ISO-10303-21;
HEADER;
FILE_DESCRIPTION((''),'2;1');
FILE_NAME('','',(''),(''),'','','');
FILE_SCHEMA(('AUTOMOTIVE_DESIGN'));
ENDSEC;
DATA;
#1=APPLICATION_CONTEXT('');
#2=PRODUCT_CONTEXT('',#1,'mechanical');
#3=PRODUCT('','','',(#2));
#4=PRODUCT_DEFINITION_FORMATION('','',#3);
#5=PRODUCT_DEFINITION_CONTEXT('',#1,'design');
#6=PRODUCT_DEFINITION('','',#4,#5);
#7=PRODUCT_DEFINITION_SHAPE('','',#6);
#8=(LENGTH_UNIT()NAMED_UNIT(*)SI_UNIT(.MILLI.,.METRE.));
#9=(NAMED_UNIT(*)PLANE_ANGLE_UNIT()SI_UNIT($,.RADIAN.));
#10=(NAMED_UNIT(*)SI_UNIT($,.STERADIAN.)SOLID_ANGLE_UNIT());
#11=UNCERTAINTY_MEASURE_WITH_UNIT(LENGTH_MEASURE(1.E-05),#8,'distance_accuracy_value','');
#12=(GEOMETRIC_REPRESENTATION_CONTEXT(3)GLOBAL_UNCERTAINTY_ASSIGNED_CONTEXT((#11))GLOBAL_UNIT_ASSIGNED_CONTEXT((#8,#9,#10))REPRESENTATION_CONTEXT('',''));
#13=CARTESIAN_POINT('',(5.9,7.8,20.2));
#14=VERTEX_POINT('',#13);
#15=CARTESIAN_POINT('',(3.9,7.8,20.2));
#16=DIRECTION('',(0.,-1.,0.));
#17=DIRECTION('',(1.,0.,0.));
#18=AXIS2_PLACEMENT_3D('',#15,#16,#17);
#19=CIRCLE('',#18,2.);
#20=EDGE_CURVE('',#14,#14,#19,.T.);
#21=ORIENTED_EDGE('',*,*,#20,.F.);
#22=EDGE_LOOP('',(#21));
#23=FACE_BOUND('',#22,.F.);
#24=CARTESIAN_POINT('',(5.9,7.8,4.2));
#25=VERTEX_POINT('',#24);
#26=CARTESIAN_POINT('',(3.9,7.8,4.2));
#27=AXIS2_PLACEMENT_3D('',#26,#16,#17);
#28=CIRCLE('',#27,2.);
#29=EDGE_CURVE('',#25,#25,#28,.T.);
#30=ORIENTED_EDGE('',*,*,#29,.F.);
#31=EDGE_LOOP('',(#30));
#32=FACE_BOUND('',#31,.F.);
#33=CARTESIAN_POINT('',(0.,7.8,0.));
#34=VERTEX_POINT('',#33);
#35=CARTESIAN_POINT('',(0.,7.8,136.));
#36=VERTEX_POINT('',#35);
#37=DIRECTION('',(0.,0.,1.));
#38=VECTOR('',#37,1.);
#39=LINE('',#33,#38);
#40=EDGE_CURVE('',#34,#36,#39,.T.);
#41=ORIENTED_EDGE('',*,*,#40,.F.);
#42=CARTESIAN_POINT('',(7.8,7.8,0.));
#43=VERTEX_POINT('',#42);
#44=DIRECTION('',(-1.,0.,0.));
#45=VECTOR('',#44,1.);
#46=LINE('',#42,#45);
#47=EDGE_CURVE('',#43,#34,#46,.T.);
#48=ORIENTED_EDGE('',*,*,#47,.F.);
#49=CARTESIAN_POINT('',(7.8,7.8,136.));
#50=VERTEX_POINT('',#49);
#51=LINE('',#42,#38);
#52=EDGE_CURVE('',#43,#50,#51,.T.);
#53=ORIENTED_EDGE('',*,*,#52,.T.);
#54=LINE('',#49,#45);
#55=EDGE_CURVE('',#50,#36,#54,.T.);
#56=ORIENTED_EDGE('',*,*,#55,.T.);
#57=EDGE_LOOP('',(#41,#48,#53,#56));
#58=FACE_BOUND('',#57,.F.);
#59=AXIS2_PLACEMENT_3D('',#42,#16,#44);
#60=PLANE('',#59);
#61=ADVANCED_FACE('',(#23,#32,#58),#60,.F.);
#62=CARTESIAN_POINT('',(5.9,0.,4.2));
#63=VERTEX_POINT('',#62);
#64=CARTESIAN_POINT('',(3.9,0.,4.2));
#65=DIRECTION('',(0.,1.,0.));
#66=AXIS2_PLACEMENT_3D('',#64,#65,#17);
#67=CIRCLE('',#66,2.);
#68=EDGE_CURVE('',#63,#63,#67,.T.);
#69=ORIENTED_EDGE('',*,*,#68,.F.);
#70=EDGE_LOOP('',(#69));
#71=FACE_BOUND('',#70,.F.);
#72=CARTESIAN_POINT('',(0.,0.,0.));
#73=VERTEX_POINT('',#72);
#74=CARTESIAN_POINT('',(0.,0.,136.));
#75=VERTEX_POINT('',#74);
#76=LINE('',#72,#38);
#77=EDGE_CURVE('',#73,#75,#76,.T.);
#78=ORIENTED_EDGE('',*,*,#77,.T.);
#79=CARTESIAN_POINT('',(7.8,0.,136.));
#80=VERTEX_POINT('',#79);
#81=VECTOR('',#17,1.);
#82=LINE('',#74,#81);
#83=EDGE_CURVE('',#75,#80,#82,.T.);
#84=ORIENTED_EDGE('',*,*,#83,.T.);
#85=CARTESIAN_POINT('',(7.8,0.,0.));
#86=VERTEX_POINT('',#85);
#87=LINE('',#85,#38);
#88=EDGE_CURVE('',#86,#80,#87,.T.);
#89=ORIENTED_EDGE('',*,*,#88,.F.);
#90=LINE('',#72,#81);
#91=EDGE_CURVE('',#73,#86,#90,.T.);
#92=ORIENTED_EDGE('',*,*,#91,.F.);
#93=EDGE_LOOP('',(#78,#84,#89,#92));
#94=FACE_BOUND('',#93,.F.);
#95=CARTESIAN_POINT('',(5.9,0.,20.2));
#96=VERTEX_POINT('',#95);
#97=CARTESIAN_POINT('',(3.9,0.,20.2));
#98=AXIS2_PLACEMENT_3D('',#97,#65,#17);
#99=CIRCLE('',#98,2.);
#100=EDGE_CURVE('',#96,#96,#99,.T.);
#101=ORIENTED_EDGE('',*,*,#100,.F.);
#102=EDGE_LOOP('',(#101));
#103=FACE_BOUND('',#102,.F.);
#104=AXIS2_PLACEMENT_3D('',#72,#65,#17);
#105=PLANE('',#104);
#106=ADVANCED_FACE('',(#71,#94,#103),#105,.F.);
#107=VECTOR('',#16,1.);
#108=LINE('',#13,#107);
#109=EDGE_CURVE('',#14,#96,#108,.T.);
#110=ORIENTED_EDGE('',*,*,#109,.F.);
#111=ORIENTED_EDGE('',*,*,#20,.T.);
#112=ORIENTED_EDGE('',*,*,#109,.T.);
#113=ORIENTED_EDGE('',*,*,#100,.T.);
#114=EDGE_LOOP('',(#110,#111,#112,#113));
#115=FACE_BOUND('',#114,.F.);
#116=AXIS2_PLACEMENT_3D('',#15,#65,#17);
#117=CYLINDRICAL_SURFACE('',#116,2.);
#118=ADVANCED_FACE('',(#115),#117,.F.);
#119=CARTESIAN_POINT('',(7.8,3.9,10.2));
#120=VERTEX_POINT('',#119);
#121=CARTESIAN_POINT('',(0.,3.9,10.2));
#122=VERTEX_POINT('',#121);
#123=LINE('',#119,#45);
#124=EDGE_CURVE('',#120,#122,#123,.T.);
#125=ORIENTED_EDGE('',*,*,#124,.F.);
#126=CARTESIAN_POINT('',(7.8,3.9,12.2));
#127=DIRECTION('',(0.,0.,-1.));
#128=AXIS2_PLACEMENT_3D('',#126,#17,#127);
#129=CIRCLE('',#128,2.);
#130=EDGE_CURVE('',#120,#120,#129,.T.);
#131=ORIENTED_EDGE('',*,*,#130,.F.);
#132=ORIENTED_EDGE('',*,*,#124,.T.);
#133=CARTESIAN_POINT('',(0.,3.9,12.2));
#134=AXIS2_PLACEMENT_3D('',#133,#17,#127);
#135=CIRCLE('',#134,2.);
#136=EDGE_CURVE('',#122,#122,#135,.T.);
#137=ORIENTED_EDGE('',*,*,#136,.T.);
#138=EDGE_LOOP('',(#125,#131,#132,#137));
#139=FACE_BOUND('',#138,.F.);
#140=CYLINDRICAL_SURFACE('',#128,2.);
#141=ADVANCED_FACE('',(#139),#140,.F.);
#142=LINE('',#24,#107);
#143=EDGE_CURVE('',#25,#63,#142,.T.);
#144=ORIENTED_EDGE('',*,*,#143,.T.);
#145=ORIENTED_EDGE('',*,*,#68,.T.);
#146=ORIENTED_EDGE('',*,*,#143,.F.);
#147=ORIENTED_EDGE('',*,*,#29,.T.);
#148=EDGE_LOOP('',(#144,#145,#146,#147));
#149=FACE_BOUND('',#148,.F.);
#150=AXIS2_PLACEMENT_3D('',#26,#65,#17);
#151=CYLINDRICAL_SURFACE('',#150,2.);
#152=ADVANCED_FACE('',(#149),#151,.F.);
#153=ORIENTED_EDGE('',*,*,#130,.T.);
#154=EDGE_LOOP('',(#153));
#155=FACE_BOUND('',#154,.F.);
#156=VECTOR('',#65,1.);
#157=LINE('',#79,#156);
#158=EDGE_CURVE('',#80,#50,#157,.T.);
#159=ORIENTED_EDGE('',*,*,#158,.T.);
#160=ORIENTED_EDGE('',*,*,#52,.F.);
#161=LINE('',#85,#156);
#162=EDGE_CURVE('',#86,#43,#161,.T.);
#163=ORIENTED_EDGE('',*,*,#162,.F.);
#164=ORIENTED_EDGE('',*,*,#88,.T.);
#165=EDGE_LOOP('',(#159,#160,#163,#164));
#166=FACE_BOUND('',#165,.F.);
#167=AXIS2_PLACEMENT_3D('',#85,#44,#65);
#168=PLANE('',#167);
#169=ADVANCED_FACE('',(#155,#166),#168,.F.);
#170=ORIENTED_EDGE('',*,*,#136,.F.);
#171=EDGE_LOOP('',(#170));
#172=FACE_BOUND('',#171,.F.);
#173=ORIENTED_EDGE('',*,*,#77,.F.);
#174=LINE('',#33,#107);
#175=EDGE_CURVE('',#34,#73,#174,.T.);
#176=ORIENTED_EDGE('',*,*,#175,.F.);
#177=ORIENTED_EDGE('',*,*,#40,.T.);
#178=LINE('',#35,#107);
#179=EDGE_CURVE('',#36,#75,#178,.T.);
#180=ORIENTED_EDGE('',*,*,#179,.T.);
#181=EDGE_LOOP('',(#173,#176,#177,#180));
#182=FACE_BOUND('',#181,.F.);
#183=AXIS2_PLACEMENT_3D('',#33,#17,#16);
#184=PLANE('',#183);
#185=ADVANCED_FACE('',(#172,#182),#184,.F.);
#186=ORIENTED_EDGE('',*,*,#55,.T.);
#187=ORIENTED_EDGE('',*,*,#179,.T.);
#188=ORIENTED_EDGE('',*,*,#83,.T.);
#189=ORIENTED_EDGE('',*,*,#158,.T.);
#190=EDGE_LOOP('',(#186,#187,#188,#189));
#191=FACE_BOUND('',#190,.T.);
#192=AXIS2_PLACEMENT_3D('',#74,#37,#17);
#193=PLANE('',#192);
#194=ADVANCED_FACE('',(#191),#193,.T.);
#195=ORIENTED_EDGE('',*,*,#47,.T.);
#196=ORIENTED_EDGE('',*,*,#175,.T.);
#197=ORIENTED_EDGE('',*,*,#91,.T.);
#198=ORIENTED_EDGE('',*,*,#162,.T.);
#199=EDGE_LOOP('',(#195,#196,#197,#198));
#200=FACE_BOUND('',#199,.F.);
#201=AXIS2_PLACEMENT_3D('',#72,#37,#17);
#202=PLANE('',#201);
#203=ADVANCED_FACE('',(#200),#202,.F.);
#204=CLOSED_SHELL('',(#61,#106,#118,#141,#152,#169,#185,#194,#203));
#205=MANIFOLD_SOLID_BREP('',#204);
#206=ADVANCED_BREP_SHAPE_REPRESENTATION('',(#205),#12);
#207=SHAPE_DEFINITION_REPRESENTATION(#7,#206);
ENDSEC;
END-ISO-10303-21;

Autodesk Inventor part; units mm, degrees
ref_plane "YZ Plane" through (0, 0, 0) normal (1, 0, 0) x (0, 1, 0)
ref_plane "XZ Plane" through (0, 0, 0) normal (0, 1, 0) x (-1, 0, 0)
ref_plane "XY Plane" through (0, 0, 0) normal (0, 0, 1) x (1, 0, 0)
sketch "Sketch1" plane through (0, 0, 0) normal (0, 0, 1) x (1, 0, 0)
  line L0 (0, 0) -> (7.8, 0)
  line L1 (7.8, 0) -> (7.8, 7.8)
  line L2 (7.8, 7.8) -> (0, 7.8)
  line L3 (0, 7.8) -> (0, 0)
  dimension "d0" = 7.8
  dimension "d1" = 7.8
extrude "Extrusion1" add sketch "Sketch1" along normal blind 136
sketch "Sketch2" plane through (0, 7.8, 0) normal (0, 1, 0) x (1, 0, 0)
  line L0 (0, 0) -> (3.9, 0)
  line L1 (7.8, 0) -> (0, 0) projected
  line L2 (3.9, 0) -> (3.9, -2.2)
  line L3 (3.9, -2.2) -> (3.9, -4.2)
  circle A0 centre (3.9, -4.2) radius 2
  dimension "d4" = 2.2
  dimension "d5" = 2
  dimension "d6" = 4
extrude "Extrusion2" cut sketch "Sketch2" against normal blind 136
sketch "Sketch3" plane through (7.8, 0, 0) normal (1, 0, 0) x (0, 0, -1)
  line L0 (0, 0) -> (0, 7.8) projected
  line L1 (0, 7.8) -> (0, 3.9)
  line L2 (0, 3.9) -> (-10.2, 3.9)
  line L3 (-10.2, 3.9) -> (-12.2, 3.9)
  circle A0 centre (-12.2, 3.9) radius 2
  dimension "d9" = 10.2
  dimension "d10" = 2
extrude "Extrusion3" cut sketch "Sketch3" against normal blind 136
sketch "Sketch4" plane through (0, 7.8, 0) normal (0, 1, 0) x (1, 0, 0)
  circle A0 centre (3.9, -4.2) radius 2 projected
  line L0 (3.9, -6.2) -> (3.9, -8.4)
  line L1 (0, 0) -> (7.8, 0) projected
  line L2 (7.8, -10.2) -> (0, -10.2) projected
  line L3 (3.9, -8.4) -> (3.9, -10.4)
  line L4 (3.9, -6.2) -> (3.9, -18.2)
  line L5 (3.9, -18.2) -> (3.9, -20.2)
  circle A1 centre (3.9, -20.2) radius 2
  dimension "d13" = 2.2
  dimension "d15" = 2
  dimension "d16" = 12
  dimension "d17" = 2
extrude "Extrusion4" cut sketch "Sketch4" against normal blind 136 contours A1
ref_plane "Work Plane1" through (0, 0, 68) normal (0, 0, -1) x (-1, 0, 0)
ref_plane "Work Plane2" through (0, 3.9, 0) normal (0, 1, 0) x (1, 0, 0)
